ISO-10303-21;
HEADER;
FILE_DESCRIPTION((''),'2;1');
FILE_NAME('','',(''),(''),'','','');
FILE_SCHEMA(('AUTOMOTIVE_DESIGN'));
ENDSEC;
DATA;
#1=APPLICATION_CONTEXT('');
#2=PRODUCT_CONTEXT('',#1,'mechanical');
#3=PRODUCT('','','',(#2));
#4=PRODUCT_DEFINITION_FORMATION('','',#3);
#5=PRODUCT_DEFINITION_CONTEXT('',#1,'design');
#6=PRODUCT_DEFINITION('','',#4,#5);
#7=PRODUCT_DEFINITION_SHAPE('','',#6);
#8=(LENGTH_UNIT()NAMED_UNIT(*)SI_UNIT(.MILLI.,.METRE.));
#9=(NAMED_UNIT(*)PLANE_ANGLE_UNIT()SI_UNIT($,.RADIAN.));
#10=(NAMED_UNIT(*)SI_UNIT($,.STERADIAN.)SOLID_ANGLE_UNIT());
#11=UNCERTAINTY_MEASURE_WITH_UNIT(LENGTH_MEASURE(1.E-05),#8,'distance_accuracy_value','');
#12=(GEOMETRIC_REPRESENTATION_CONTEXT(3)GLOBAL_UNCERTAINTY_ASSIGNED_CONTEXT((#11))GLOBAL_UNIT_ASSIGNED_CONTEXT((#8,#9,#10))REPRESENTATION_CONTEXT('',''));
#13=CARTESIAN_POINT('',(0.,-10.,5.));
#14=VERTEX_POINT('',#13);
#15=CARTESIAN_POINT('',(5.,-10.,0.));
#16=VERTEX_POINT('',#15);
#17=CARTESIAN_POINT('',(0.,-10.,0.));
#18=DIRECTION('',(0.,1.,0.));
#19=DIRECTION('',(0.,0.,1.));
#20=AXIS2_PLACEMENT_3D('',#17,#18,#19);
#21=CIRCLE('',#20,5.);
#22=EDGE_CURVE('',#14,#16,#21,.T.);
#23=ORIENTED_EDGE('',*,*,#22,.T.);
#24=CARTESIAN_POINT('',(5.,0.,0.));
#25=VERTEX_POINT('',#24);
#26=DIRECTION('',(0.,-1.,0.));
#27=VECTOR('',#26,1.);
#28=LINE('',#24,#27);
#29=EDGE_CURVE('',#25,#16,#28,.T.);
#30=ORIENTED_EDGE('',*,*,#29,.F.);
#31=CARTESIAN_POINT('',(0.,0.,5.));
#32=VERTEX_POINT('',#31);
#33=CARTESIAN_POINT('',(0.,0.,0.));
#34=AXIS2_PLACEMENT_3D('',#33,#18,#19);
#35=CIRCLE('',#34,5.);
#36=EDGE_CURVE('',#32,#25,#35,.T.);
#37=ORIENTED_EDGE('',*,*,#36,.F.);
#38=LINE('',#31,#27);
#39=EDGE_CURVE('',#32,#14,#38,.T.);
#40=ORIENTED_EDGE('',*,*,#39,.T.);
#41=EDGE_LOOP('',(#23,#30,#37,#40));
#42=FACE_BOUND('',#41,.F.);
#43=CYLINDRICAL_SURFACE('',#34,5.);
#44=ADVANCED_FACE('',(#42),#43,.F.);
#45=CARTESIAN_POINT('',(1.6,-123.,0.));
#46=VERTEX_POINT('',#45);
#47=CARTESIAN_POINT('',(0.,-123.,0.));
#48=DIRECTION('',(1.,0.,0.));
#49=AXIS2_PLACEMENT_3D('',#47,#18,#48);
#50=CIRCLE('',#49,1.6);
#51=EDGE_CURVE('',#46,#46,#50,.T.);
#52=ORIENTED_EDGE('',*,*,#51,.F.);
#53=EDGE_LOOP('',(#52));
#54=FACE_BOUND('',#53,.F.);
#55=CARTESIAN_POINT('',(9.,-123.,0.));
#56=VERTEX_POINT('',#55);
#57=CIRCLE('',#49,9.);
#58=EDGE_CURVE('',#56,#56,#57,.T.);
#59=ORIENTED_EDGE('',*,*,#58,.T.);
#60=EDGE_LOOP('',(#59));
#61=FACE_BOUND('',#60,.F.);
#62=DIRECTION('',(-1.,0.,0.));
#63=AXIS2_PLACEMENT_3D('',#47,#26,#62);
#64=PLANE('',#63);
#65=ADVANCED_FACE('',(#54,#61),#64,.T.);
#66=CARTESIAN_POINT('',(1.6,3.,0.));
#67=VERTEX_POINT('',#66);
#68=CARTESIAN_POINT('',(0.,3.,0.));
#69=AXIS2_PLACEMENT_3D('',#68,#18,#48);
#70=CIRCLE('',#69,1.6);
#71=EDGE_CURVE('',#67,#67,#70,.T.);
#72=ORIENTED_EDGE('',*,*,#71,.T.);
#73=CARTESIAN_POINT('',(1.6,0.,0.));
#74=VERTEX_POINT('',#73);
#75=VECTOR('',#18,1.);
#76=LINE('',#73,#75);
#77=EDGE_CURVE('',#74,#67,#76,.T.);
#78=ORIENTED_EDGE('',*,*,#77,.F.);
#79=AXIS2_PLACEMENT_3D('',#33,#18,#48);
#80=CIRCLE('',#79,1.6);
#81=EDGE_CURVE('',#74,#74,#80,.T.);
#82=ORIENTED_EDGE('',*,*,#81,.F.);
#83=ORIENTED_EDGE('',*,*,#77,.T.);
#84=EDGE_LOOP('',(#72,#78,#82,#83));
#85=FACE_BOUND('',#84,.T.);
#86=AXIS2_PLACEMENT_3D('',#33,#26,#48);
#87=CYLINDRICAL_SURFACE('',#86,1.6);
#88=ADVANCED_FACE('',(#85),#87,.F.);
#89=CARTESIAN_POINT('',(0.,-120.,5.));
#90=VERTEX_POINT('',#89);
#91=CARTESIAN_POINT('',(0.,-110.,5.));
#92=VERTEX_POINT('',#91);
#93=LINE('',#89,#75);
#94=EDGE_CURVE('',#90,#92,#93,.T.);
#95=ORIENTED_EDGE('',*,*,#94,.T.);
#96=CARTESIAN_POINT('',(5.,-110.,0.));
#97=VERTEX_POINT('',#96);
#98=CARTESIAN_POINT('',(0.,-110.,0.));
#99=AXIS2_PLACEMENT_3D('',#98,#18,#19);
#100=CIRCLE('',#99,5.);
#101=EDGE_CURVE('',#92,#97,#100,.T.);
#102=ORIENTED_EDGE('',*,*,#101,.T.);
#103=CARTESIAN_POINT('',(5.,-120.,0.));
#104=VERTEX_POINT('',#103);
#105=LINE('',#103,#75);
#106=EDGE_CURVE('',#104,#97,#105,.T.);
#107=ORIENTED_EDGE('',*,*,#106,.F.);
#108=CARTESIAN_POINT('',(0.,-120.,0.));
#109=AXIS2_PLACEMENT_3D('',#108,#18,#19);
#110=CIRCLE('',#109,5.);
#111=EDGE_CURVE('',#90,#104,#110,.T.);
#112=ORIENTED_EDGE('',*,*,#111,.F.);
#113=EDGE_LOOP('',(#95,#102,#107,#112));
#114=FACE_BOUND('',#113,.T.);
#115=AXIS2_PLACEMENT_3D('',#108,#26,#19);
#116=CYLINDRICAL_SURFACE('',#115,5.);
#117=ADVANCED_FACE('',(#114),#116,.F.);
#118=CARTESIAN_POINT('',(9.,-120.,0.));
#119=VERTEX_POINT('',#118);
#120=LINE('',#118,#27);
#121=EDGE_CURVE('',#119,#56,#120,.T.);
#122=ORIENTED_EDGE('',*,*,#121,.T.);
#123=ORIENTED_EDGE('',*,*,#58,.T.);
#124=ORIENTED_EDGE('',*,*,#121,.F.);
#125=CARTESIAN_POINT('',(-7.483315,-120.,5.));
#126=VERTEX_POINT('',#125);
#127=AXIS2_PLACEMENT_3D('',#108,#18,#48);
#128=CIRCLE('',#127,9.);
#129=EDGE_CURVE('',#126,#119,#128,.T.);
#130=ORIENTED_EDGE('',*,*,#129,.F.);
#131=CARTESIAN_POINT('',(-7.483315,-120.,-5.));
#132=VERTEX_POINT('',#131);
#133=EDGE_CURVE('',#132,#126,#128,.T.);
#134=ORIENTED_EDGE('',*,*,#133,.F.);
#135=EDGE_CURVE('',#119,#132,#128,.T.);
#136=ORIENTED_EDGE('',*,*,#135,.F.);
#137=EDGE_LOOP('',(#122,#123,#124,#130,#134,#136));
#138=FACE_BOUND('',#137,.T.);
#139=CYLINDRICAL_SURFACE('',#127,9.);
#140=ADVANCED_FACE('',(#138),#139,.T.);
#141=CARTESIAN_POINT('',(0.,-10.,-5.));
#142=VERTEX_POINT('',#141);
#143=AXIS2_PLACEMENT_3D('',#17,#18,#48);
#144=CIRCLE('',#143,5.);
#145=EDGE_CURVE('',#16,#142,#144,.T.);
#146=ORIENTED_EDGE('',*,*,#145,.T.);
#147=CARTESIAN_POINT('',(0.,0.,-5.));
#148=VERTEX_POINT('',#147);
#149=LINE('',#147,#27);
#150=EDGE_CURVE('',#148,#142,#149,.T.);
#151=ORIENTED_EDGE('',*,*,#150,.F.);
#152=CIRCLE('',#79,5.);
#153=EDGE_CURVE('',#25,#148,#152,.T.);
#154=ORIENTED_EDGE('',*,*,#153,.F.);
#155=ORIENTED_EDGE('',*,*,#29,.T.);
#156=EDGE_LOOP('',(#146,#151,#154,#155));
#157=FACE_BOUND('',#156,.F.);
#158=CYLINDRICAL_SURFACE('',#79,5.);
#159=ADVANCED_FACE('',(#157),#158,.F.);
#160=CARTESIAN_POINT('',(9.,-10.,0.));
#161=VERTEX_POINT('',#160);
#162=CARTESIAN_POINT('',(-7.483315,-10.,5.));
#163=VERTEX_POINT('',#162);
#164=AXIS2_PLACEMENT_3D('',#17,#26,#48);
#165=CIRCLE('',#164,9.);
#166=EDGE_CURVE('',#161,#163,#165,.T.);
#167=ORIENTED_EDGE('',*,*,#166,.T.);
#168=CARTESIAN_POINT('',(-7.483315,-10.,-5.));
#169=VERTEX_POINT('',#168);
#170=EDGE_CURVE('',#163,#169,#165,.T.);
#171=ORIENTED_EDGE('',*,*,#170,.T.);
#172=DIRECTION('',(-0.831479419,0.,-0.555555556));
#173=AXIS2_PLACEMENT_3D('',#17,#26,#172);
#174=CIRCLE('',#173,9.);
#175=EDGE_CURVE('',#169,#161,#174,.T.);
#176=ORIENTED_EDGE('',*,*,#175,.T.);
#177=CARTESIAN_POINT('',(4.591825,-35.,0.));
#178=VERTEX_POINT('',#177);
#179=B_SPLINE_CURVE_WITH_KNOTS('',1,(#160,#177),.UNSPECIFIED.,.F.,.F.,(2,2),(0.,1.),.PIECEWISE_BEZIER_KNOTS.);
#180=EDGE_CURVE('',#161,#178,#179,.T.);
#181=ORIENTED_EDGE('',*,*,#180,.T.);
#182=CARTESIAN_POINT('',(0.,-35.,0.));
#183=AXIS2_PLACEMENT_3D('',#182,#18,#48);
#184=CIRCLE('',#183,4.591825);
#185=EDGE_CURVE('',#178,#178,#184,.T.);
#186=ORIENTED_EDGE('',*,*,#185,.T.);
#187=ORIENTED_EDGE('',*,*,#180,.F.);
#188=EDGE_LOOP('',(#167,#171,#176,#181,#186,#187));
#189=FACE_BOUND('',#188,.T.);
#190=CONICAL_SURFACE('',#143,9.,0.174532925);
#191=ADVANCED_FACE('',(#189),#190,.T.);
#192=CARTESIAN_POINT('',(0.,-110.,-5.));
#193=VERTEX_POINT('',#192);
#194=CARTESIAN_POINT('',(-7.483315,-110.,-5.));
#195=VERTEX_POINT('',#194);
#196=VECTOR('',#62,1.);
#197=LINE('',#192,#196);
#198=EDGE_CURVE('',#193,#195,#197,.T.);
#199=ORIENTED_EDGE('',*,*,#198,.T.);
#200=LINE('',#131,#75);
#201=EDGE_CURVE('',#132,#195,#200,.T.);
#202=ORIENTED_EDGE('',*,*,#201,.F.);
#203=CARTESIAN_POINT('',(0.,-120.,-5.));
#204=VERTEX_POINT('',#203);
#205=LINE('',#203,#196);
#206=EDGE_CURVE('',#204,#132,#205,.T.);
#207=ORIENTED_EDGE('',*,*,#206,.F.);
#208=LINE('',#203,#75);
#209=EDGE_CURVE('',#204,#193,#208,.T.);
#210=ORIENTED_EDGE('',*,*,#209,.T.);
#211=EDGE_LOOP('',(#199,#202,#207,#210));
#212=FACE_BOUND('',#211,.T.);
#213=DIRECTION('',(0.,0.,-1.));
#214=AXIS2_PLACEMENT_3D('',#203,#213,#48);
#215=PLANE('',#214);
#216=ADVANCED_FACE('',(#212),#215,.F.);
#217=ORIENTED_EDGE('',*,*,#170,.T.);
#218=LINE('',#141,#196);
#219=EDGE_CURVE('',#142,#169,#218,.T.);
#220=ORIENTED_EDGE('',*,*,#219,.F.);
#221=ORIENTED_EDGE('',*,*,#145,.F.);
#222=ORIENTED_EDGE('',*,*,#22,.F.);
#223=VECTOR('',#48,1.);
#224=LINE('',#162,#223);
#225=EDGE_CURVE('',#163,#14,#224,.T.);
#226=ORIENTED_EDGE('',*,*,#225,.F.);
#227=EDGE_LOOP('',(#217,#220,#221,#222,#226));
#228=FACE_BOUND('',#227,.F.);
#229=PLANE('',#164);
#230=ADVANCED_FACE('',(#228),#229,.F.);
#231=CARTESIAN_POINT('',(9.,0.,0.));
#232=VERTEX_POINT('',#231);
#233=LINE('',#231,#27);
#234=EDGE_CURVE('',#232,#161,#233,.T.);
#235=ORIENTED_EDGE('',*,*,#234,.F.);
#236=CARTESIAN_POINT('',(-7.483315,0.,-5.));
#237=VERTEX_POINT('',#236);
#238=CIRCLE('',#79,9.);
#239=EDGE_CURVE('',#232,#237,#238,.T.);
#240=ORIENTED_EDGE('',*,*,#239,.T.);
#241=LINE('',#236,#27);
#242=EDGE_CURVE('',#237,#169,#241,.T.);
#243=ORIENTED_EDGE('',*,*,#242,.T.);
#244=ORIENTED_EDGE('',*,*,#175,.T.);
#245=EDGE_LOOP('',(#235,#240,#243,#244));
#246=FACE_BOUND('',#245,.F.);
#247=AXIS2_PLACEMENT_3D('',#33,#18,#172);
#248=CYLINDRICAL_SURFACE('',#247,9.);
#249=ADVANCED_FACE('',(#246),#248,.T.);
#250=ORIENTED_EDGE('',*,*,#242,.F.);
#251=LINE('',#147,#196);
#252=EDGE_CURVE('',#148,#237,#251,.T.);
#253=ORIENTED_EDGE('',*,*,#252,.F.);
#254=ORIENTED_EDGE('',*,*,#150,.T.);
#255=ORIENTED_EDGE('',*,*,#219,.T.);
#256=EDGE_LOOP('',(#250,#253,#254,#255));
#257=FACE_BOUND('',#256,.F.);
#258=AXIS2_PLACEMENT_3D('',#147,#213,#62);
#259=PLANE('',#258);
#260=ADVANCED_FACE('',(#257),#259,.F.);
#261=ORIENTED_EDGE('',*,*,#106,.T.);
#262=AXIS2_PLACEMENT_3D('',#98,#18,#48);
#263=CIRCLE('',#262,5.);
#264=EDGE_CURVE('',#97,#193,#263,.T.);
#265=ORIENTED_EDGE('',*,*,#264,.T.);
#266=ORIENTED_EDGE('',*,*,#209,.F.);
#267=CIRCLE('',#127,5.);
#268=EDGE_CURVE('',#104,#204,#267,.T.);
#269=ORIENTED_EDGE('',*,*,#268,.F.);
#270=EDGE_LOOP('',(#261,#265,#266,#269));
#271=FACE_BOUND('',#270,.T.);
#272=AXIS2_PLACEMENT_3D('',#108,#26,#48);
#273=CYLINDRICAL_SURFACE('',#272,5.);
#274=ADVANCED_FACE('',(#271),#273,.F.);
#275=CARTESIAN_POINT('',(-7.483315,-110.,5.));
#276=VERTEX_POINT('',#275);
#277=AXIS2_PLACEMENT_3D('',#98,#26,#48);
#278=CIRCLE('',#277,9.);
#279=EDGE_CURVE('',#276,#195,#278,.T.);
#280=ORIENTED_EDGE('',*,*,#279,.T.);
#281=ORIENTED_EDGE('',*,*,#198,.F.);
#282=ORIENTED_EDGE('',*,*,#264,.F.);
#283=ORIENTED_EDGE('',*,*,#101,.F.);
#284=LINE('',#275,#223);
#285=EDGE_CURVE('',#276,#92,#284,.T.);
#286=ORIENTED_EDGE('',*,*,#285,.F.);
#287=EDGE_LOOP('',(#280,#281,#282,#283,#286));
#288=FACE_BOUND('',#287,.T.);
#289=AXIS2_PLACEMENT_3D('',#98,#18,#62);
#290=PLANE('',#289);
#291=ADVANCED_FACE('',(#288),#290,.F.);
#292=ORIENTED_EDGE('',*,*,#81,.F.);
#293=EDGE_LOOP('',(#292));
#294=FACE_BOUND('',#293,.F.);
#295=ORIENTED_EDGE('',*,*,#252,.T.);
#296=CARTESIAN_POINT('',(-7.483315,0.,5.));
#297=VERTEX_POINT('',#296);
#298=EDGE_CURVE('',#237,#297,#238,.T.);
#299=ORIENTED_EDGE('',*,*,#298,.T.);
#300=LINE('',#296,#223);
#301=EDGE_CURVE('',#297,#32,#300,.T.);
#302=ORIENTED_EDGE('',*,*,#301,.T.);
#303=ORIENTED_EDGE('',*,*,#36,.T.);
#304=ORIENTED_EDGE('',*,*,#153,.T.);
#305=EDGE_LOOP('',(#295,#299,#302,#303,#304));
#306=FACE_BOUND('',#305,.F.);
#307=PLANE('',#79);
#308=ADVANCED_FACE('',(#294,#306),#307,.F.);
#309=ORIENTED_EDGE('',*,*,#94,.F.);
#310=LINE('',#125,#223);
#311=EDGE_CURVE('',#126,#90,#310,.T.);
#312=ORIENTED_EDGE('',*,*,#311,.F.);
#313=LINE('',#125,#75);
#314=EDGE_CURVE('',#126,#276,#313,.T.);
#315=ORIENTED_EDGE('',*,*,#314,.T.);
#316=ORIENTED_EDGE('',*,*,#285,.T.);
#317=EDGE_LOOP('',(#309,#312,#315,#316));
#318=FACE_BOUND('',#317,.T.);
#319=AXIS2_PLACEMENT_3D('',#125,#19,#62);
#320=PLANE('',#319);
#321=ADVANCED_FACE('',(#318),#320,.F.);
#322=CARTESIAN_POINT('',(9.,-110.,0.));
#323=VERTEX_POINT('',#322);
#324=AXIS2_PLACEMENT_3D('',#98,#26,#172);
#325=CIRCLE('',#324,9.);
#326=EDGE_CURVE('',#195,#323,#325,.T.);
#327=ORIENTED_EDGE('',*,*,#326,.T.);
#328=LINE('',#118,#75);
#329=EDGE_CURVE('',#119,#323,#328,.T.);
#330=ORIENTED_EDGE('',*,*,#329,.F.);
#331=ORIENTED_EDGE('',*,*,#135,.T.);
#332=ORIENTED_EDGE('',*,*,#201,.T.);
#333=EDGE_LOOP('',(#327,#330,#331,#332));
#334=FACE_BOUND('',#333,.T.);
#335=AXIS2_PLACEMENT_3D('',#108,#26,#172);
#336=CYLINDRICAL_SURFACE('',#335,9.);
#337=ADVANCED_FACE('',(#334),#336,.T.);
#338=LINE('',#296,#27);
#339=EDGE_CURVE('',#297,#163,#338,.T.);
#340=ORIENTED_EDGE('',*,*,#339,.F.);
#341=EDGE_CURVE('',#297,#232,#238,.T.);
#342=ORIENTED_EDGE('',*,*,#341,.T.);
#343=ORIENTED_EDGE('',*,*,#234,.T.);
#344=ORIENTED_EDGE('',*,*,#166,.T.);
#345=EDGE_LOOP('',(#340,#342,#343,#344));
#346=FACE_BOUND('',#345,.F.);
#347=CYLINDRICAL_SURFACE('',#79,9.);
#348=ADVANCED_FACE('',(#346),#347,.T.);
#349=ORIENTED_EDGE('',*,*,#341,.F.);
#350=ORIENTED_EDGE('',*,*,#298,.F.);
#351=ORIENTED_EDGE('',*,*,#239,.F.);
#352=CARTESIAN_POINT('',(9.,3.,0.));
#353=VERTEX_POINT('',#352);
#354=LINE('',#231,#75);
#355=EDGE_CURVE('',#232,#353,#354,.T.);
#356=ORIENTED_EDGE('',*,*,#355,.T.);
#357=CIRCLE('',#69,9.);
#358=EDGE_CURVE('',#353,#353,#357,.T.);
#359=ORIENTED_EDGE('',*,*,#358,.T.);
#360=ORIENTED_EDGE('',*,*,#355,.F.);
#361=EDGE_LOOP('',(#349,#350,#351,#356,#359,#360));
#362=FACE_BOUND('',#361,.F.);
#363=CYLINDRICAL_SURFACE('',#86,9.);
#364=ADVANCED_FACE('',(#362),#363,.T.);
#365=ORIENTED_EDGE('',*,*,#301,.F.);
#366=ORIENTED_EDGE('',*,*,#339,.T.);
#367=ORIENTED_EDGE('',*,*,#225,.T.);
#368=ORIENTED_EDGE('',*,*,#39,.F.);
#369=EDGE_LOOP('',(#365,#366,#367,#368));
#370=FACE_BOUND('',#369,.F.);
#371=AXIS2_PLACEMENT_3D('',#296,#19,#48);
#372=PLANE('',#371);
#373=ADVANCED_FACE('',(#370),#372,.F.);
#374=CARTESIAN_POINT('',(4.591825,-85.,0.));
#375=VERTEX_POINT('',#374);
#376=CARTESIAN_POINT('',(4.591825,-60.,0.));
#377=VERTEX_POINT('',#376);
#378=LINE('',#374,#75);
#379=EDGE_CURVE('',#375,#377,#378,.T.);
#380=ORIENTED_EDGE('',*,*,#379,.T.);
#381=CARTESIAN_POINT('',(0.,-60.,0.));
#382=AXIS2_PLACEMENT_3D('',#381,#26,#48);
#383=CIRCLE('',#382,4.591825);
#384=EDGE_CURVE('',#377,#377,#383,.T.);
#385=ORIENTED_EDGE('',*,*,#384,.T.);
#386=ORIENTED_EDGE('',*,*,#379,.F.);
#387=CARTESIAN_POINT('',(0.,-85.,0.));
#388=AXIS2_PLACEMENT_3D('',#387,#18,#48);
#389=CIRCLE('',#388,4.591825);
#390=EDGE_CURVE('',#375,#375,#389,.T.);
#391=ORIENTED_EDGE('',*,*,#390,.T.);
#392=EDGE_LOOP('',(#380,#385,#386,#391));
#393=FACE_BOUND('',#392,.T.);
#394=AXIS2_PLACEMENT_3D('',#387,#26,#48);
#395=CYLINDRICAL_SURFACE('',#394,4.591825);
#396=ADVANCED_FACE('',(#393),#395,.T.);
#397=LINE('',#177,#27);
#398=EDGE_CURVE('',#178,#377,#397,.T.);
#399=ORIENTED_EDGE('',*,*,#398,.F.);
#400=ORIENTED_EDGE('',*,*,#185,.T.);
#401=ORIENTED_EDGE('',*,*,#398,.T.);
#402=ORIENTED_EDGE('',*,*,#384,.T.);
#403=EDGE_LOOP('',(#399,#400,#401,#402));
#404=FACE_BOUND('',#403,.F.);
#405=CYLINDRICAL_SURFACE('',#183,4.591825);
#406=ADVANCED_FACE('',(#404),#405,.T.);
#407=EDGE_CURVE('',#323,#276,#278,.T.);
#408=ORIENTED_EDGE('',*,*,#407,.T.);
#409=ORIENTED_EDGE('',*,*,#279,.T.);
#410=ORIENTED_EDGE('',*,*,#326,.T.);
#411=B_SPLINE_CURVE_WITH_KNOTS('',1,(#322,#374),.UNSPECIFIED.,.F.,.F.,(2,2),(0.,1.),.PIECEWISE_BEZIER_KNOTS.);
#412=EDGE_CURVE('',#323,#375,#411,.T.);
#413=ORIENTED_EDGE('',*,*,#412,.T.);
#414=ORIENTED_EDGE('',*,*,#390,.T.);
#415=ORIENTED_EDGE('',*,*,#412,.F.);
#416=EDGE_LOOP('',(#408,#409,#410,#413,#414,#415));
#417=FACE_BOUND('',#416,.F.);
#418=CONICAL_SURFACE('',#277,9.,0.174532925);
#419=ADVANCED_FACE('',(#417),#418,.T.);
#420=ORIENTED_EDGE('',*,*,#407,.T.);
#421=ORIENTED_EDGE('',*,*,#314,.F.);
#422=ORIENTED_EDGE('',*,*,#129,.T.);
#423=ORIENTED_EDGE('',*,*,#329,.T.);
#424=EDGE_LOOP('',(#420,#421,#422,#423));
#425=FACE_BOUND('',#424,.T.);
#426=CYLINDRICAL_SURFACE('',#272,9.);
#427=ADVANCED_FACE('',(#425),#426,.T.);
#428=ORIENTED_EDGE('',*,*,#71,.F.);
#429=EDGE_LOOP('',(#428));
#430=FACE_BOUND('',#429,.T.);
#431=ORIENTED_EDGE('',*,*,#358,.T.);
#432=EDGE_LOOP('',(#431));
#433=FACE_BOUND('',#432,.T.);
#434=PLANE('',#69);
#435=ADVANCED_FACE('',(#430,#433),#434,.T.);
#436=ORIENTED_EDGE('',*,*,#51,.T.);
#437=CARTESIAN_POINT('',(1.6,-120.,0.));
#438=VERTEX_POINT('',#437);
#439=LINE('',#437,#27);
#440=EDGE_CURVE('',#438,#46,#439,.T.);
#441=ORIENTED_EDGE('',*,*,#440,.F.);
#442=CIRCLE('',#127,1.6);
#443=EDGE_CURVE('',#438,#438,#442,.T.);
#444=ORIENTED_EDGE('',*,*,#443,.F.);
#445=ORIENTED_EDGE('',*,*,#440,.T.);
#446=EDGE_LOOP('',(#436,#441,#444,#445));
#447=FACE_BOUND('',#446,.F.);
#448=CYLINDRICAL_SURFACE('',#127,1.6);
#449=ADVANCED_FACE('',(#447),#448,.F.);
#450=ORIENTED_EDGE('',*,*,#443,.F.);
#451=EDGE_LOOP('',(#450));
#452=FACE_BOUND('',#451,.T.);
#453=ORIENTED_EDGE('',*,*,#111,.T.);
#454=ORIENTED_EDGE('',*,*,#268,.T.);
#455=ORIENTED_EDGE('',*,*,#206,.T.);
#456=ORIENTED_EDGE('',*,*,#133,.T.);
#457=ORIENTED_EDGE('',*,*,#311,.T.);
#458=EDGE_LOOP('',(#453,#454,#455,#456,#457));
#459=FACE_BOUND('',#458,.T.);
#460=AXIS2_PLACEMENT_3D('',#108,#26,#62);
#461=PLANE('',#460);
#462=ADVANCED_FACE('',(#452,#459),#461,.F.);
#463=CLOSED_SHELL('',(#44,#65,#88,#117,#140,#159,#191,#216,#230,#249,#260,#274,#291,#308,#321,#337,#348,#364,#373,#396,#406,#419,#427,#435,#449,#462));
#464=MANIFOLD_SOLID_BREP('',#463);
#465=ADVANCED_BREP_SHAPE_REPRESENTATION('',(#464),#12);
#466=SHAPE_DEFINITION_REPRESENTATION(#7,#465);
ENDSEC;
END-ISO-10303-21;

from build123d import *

# Parameters (mm, degrees)
SKETCH1_R           = 9
SKETCH1_R_2         = 1.6
BOSS_EXTRUDE1_DEPTH = 3
BOSS_EXTRUDE2_DEPTH = 10
SKETCH3_R           = 9
BOSS_EXTRUDE3_DEPTH = 25
BOSS_EXTRUDE3_TAPER = 10
SKETCH4_R           = 4.591825482
BOSS_EXTRUDE4_DEPTH = 25


with BuildPart() as part:
    # Sketch1 → Boss-Extrude1 (new body)
    with BuildSketch(Plane(origin=(0, 0, 0), x_dir=(1, 0, 0), z_dir=(0, 1, 0))):
        Circle(SKETCH1_R)
        Circle(SKETCH1_R_2, mode=Mode.SUBTRACT)
    boss_extrude1 = extrude(amount=BOSS_EXTRUDE1_DEPTH)

    # Sketch2 → Boss-Extrude2 (add)
    with BuildSketch(Plane.XZ):
        with BuildLine():
            Line((-7.483314774, 5), (0, 5))
            ThreePointArc((0, 5), (3.535533906, 3.535533906), (5, 0))
            ThreePointArc((5, 0), (3.535533906, -3.535533906), (0, -5))
            Line((0, -5), (-7.483314774, -5))
            ThreePointArc((-7.483314774, -5), (2.61248608, -8.61248608), (9, 0))
            ThreePointArc((9, 0), (2.61248608, 8.61248608), (-7.483314774, 5))
        make_face()
    boss_extrude2 = extrude(amount=BOSS_EXTRUDE2_DEPTH)

    # Sketch3 → Boss-Extrude3 (add)
    with BuildSketch(Plane.XZ.offset(10)):
        Circle(SKETCH3_R)
    boss_extrude3 = extrude(amount=BOSS_EXTRUDE3_DEPTH, taper=BOSS_EXTRUDE3_TAPER)

    # Sketch4 → Boss-Extrude4 (add)
    with BuildSketch(Plane.XZ.offset(35)):
        Circle(SKETCH4_R)
    boss_extrude4 = extrude(amount=BOSS_EXTRUDE4_DEPTH)

    # Mirror2: Boss-Extrude1, Boss-Extrude2, Boss-Extrude3, Boss-Extrude4 across plane
    add(boss_extrude1.mirror(Plane(origin=(0, -60, 0), x_dir=(0, 0, 1), z_dir=(0, -1, 0))))
    add(boss_extrude2.mirror(Plane(origin=(0, -60, 0), x_dir=(0, 0, 1), z_dir=(0, -1, 0))))
    add(boss_extrude3.mirror(Plane(origin=(0, -60, 0), x_dir=(0, 0, 1), z_dir=(0, -1, 0))))
    add(boss_extrude4.mirror(Plane(origin=(0, -60, 0), x_dir=(0, 0, 1), z_dir=(0, -1, 0))))


solid = part.part
